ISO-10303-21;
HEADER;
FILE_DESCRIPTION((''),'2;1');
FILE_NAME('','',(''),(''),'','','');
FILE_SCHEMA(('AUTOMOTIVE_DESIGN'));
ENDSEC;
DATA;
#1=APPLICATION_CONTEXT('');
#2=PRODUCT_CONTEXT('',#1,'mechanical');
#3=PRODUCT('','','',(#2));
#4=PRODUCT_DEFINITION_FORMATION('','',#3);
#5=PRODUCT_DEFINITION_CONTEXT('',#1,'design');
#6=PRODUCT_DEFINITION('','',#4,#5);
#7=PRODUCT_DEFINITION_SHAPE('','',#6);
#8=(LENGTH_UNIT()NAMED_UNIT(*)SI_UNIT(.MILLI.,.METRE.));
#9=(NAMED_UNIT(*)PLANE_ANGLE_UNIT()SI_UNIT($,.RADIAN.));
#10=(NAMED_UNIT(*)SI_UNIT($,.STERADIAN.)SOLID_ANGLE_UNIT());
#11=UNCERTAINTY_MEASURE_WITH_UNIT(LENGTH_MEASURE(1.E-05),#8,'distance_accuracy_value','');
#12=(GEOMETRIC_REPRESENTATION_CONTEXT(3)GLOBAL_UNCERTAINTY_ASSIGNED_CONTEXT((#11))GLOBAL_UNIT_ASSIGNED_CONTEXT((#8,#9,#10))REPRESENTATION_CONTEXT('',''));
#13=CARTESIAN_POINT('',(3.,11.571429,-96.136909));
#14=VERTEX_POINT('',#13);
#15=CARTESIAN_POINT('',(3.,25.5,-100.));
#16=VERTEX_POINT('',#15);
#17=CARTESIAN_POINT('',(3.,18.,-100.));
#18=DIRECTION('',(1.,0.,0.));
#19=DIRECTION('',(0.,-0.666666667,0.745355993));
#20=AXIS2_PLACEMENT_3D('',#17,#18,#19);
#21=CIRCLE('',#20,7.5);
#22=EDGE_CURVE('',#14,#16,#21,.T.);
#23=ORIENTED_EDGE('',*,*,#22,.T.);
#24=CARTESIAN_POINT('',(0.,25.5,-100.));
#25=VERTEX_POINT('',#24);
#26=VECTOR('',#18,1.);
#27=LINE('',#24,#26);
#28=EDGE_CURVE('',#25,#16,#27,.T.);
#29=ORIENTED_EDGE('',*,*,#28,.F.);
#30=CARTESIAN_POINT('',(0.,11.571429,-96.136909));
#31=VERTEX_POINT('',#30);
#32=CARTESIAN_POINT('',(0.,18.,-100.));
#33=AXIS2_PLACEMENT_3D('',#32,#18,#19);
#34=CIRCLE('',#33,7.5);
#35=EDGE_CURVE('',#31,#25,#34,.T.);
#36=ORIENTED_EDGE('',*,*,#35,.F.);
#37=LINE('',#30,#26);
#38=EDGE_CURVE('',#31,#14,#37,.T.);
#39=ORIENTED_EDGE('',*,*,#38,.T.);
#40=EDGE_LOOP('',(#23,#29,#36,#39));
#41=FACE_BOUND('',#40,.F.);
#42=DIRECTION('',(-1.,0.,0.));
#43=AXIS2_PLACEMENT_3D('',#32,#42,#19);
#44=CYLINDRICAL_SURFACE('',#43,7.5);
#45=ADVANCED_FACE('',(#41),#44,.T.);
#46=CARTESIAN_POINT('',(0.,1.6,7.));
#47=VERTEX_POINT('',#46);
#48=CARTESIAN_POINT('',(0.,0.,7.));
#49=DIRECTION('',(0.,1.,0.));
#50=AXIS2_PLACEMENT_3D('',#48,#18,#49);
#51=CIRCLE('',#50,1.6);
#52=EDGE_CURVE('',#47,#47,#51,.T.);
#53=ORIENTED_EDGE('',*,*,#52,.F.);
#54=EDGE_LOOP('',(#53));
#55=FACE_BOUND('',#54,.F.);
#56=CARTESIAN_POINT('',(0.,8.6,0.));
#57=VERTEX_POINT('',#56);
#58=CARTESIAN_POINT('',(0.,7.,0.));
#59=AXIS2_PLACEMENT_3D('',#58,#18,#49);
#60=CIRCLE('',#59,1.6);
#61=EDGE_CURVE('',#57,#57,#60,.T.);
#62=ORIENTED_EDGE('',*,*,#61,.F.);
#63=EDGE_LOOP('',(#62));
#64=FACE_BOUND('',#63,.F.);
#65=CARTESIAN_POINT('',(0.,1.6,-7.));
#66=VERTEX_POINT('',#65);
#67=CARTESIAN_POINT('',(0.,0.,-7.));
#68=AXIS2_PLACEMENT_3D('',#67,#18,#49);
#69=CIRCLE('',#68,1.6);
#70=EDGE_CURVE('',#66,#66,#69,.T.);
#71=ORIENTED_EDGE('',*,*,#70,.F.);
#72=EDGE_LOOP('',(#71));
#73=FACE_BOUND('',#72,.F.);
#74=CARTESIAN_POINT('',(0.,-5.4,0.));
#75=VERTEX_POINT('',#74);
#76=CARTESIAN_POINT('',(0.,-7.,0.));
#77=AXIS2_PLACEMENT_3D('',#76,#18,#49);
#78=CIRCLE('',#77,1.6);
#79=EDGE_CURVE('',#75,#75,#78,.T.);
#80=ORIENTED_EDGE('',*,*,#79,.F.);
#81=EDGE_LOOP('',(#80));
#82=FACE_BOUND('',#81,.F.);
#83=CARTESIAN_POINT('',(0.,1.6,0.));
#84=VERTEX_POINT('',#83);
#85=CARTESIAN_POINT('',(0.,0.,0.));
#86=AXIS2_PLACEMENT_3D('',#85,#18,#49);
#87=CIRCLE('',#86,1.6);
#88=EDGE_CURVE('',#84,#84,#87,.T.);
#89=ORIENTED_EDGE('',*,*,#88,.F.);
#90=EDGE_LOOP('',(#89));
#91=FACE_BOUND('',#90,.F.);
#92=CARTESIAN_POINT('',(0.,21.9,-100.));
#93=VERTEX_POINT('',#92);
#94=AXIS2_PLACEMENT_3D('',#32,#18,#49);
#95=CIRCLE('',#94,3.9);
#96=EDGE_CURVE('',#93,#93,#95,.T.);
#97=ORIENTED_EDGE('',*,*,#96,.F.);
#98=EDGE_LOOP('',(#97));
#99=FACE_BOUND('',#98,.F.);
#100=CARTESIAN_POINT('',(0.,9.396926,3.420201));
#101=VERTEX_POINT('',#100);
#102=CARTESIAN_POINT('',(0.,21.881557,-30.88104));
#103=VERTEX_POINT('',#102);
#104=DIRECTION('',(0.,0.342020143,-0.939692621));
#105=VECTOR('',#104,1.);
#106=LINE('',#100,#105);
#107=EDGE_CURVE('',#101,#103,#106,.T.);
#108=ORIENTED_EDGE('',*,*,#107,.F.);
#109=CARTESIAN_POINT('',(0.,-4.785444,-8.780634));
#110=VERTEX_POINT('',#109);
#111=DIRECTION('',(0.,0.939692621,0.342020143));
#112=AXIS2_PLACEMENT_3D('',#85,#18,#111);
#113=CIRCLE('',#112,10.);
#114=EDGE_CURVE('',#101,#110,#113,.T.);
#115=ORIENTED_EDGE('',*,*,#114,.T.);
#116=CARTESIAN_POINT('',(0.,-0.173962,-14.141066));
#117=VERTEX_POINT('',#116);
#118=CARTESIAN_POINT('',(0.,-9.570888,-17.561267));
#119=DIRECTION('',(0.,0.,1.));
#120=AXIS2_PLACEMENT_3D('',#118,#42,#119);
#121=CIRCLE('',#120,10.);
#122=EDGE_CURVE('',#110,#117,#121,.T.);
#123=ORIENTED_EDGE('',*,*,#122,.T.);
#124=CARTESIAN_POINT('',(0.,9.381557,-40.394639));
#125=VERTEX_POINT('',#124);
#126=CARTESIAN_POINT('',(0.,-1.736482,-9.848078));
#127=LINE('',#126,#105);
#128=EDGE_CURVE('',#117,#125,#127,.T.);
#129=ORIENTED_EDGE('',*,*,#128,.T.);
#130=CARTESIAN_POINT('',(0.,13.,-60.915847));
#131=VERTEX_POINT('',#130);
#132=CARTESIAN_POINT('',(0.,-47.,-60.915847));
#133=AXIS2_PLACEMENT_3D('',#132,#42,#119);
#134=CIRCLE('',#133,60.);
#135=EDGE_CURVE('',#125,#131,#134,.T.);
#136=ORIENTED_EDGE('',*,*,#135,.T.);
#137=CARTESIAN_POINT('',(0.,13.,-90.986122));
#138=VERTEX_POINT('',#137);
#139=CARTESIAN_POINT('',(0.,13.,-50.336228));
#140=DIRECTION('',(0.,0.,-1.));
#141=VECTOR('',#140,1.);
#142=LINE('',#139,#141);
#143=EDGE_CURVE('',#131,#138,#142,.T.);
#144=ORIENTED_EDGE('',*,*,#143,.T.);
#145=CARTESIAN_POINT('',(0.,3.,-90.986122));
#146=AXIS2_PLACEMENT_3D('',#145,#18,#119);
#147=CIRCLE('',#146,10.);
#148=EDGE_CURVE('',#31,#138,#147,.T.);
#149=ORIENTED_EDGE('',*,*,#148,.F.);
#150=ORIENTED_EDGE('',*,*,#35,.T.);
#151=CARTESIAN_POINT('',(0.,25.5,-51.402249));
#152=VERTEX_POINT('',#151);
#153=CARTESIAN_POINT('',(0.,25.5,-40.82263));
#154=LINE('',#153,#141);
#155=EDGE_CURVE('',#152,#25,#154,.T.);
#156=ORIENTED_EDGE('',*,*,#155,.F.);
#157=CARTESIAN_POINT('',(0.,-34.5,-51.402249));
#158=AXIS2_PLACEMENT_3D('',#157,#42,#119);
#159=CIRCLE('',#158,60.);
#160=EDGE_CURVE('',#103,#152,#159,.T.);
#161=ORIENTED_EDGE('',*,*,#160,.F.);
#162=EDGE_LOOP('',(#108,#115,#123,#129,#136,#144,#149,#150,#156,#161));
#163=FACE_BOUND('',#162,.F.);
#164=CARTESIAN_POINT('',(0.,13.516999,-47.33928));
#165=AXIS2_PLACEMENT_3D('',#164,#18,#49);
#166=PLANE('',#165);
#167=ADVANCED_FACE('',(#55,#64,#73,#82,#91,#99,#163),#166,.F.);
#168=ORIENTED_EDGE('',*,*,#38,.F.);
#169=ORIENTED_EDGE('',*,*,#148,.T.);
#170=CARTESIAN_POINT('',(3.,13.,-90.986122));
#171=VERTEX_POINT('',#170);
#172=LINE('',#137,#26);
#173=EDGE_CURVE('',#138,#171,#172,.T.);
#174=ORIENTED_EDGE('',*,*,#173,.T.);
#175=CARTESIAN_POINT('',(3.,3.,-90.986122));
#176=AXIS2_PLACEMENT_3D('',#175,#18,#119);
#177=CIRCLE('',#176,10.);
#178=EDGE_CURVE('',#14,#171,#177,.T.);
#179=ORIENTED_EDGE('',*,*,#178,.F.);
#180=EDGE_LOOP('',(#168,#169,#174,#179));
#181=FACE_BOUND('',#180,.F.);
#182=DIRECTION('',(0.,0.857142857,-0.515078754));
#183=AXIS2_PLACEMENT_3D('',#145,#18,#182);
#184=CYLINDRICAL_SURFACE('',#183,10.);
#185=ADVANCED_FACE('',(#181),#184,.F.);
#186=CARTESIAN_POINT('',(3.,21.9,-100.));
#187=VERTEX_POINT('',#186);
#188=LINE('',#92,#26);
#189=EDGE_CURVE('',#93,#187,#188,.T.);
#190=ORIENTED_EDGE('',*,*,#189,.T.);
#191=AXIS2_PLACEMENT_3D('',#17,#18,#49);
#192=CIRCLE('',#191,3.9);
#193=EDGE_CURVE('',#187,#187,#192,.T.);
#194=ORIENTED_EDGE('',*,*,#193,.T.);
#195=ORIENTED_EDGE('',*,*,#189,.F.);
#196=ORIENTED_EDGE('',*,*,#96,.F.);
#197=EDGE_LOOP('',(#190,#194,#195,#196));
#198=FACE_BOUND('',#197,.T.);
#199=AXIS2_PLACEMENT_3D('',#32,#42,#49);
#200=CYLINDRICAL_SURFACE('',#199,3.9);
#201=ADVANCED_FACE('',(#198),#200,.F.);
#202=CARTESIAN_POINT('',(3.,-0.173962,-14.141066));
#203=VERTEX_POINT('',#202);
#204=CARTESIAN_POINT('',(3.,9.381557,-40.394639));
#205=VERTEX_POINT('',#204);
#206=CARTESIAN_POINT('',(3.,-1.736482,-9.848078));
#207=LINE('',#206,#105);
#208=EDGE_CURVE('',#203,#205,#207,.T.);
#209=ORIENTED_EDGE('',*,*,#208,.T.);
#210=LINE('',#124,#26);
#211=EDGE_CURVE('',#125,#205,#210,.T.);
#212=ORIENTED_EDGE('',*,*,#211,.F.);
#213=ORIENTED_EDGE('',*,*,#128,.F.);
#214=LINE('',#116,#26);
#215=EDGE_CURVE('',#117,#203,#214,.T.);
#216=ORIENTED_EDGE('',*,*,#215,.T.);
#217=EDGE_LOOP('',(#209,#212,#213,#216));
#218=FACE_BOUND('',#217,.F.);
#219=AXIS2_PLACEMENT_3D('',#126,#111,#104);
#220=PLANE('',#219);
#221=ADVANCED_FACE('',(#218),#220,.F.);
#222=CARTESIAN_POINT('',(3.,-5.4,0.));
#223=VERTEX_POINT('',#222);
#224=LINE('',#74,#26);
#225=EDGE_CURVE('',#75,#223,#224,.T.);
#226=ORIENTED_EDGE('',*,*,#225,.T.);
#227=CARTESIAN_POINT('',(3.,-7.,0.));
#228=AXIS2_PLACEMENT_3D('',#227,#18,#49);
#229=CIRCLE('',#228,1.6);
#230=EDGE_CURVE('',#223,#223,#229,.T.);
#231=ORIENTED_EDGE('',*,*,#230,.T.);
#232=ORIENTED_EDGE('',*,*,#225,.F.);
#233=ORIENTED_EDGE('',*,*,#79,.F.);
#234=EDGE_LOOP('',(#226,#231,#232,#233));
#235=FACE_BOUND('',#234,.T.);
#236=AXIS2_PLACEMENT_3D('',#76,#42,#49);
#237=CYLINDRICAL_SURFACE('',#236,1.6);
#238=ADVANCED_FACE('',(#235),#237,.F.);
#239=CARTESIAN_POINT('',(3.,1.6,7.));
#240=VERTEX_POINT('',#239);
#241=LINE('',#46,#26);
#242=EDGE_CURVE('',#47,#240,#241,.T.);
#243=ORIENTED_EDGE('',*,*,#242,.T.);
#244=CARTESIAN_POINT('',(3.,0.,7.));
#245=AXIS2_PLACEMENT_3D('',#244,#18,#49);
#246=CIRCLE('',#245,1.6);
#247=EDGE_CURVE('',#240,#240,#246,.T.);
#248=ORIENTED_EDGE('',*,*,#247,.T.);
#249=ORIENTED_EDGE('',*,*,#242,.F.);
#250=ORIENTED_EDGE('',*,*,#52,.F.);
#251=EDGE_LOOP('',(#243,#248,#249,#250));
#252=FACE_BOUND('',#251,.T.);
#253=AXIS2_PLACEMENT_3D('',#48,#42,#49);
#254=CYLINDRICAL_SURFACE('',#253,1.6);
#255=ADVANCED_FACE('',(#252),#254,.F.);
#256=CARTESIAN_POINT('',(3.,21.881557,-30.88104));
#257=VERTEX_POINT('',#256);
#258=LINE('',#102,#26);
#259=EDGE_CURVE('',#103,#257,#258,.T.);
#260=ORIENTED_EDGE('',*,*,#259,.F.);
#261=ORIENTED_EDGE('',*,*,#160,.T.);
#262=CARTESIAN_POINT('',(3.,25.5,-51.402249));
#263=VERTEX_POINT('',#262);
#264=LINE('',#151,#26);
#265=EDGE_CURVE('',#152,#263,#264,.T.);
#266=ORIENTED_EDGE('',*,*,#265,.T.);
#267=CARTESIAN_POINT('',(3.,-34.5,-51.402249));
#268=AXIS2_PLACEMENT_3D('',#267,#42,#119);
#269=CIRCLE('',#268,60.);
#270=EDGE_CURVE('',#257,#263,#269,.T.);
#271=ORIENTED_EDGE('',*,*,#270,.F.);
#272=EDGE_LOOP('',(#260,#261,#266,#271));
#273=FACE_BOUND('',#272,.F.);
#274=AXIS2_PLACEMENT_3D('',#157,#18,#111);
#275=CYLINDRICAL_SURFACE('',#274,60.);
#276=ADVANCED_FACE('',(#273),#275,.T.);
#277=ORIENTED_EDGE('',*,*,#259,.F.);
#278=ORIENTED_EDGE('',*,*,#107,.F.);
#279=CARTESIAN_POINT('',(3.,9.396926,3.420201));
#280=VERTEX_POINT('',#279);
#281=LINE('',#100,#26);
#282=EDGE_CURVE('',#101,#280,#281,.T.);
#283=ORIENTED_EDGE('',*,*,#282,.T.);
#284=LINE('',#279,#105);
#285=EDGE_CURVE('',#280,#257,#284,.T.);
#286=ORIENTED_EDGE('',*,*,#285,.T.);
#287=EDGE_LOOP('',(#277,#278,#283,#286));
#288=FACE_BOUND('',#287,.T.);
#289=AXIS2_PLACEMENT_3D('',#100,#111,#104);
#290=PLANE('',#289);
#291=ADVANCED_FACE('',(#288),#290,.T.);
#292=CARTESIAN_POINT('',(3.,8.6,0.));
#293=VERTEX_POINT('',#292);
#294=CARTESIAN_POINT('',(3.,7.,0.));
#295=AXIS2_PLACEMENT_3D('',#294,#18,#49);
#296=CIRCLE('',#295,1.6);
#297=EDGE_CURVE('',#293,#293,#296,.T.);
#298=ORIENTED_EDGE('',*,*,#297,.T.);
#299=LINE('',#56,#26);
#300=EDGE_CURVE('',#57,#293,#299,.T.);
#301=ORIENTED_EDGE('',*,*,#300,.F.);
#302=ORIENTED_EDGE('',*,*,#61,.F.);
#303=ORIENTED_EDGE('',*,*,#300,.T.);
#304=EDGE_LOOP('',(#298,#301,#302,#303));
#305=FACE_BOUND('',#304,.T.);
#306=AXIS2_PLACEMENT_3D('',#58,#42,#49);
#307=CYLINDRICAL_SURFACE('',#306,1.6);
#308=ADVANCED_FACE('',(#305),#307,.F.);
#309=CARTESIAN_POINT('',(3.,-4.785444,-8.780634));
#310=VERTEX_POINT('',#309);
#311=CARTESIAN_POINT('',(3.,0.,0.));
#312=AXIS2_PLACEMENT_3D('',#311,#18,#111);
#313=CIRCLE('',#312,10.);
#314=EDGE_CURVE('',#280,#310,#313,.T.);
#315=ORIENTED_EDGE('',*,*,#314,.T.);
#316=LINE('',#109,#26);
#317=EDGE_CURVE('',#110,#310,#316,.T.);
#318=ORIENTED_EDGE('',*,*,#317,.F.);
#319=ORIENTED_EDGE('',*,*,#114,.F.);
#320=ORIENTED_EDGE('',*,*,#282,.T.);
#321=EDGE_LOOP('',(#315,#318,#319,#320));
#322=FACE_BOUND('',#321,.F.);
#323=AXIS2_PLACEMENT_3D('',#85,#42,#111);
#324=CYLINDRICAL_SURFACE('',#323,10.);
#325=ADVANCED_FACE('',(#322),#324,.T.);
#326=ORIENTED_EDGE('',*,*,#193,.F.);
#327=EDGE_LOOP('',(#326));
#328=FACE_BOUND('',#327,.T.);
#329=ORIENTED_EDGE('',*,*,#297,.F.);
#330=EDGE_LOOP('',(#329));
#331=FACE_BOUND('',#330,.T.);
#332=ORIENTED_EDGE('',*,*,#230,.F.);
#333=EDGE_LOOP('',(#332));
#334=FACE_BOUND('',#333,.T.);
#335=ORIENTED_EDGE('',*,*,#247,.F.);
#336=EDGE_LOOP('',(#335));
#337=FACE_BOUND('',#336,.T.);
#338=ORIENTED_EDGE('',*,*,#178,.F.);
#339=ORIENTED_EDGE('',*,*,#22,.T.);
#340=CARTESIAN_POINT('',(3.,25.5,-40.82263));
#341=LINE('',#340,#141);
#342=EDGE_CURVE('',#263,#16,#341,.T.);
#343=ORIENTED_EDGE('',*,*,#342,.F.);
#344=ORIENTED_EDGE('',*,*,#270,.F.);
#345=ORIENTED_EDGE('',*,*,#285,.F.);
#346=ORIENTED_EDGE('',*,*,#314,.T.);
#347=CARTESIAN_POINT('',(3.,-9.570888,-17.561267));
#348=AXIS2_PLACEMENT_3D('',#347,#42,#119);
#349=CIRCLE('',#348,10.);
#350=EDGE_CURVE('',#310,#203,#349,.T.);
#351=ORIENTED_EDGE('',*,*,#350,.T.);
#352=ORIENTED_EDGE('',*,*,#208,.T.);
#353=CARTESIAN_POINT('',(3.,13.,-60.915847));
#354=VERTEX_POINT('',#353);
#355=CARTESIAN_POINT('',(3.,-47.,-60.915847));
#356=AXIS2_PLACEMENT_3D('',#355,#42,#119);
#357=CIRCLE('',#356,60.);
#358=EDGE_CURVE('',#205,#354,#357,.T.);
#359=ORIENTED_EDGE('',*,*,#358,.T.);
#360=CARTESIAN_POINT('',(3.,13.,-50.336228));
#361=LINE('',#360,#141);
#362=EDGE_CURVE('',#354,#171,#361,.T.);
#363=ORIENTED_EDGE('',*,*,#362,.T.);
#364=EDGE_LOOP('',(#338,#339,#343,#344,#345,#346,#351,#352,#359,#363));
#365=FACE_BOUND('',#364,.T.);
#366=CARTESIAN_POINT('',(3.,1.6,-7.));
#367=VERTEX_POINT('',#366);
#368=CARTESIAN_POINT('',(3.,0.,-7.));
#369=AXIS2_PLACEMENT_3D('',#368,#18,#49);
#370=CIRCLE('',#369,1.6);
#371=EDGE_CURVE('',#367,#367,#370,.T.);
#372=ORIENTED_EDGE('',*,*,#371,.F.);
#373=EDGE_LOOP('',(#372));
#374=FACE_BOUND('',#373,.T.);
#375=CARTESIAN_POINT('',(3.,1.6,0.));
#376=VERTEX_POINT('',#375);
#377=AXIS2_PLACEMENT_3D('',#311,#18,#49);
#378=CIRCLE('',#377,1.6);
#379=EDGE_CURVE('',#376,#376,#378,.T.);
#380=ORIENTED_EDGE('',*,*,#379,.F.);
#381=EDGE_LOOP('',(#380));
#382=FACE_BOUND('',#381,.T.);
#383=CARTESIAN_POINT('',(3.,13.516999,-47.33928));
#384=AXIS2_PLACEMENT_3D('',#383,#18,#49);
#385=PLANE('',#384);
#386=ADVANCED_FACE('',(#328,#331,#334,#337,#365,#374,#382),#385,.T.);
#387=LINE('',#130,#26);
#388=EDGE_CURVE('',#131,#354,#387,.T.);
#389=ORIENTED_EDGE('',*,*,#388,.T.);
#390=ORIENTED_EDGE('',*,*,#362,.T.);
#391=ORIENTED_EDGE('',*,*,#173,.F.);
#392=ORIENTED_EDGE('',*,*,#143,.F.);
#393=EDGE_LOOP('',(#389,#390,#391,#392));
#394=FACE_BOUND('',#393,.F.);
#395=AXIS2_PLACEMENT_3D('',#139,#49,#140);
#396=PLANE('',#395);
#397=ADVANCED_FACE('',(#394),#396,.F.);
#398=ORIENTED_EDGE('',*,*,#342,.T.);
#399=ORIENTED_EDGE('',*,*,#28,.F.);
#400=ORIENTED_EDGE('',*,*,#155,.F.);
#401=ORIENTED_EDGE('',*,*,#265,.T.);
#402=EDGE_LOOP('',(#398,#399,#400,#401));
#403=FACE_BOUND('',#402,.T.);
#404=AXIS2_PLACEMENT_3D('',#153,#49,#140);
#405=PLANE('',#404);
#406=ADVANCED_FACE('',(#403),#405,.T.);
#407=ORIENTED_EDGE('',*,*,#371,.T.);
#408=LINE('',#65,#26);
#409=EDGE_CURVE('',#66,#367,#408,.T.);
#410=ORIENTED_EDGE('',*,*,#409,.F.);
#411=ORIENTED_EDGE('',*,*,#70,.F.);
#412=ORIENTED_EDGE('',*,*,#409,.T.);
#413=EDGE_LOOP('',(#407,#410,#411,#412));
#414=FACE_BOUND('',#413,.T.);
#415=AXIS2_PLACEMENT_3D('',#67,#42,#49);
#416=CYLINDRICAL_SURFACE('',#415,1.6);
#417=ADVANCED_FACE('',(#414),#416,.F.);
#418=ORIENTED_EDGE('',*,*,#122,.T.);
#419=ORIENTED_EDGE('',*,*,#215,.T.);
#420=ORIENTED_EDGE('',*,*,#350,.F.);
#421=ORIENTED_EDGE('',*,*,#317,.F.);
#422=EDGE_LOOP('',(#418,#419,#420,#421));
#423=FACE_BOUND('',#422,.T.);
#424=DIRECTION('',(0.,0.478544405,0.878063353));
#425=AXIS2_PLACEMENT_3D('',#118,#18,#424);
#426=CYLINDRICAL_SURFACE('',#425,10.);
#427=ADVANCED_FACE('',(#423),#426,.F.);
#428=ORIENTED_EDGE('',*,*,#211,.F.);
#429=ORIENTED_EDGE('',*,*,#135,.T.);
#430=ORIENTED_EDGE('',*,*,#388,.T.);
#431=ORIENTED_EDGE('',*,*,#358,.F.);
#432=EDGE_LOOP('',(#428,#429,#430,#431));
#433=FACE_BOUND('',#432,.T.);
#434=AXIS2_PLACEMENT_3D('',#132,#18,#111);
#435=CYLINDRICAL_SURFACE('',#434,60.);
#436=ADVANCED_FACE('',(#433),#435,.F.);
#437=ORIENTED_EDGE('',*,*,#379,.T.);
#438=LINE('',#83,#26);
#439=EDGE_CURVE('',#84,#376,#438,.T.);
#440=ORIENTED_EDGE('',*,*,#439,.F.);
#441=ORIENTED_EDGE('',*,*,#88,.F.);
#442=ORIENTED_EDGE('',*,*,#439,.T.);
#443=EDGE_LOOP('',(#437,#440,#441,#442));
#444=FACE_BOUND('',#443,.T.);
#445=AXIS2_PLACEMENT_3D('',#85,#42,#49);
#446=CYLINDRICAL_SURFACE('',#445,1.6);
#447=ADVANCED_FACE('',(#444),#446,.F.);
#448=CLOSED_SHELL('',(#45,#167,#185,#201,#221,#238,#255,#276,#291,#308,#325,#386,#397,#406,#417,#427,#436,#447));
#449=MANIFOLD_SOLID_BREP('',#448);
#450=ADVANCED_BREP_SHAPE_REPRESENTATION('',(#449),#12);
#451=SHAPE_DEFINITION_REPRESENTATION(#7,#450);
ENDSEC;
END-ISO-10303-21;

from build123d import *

# Parameters (mm, degrees)
SKETCH049_R   = 1.6
SKETCH049_R_2 = 3.9
PAD027_DEPTH  = 3
FILLET016_R   = 60
FILLET017_R   = 10


with BuildPart() as part:
    # Sketch049 → Pad027 (new body)
    with BuildSketch(Plane.YZ):
        with BuildLine():
            ThreePointArc((9.3969262079, 3.4202014333), (-7.6604444312, 6.4278760969), (-1.7364817767, -9.8480775301))
            Line((-1.7364817767, -9.8480775301), (13, -50.3362284537))
            Line((13, -50.3362284537), (13, -94.4098300562))
            ThreePointArc((13, -94.4098300562), (14.9381378215, -106.8465319688), (25.5, -100))
            Line((25.5, -40.8226301945), (25.5, -100))
            Line((9.3969262079, 3.4202014333), (25.5, -40.8226301945))
        make_face()
        with Locations((0, 7)):
            Circle(SKETCH049_R, mode=Mode.SUBTRACT)
        with Locations((7, 0)):
            Circle(SKETCH049_R, mode=Mode.SUBTRACT)
        with Locations((0, -7)):
            Circle(SKETCH049_R, mode=Mode.SUBTRACT)
        with Locations((-7, 0)):
            Circle(SKETCH049_R, mode=Mode.SUBTRACT)
        Circle(SKETCH049_R, mode=Mode.SUBTRACT)
        with Locations((18, -100)):
            Circle(SKETCH049_R_2, mode=Mode.SUBTRACT)
    extrude(amount=PAD027_DEPTH)

    # Fillet016
    fillet016_edges = [part.edges().sort_by_distance(p)[0] for p in [
        (1.5, 13, -50.336228),
        (1.5, 25.5, -40.82263),
    ]]
    fillet(fillet016_edges, radius=FILLET016_R)

    # Fillet017
    fillet017_edges = [part.edges().sort_by_distance(p)[0] for p in [
        (1.5, 13, -94.40983),
        (1.5, -1.736482, -9.848078),
    ]]
    fillet(fillet017_edges, radius=FILLET017_R)


solid = part.part
